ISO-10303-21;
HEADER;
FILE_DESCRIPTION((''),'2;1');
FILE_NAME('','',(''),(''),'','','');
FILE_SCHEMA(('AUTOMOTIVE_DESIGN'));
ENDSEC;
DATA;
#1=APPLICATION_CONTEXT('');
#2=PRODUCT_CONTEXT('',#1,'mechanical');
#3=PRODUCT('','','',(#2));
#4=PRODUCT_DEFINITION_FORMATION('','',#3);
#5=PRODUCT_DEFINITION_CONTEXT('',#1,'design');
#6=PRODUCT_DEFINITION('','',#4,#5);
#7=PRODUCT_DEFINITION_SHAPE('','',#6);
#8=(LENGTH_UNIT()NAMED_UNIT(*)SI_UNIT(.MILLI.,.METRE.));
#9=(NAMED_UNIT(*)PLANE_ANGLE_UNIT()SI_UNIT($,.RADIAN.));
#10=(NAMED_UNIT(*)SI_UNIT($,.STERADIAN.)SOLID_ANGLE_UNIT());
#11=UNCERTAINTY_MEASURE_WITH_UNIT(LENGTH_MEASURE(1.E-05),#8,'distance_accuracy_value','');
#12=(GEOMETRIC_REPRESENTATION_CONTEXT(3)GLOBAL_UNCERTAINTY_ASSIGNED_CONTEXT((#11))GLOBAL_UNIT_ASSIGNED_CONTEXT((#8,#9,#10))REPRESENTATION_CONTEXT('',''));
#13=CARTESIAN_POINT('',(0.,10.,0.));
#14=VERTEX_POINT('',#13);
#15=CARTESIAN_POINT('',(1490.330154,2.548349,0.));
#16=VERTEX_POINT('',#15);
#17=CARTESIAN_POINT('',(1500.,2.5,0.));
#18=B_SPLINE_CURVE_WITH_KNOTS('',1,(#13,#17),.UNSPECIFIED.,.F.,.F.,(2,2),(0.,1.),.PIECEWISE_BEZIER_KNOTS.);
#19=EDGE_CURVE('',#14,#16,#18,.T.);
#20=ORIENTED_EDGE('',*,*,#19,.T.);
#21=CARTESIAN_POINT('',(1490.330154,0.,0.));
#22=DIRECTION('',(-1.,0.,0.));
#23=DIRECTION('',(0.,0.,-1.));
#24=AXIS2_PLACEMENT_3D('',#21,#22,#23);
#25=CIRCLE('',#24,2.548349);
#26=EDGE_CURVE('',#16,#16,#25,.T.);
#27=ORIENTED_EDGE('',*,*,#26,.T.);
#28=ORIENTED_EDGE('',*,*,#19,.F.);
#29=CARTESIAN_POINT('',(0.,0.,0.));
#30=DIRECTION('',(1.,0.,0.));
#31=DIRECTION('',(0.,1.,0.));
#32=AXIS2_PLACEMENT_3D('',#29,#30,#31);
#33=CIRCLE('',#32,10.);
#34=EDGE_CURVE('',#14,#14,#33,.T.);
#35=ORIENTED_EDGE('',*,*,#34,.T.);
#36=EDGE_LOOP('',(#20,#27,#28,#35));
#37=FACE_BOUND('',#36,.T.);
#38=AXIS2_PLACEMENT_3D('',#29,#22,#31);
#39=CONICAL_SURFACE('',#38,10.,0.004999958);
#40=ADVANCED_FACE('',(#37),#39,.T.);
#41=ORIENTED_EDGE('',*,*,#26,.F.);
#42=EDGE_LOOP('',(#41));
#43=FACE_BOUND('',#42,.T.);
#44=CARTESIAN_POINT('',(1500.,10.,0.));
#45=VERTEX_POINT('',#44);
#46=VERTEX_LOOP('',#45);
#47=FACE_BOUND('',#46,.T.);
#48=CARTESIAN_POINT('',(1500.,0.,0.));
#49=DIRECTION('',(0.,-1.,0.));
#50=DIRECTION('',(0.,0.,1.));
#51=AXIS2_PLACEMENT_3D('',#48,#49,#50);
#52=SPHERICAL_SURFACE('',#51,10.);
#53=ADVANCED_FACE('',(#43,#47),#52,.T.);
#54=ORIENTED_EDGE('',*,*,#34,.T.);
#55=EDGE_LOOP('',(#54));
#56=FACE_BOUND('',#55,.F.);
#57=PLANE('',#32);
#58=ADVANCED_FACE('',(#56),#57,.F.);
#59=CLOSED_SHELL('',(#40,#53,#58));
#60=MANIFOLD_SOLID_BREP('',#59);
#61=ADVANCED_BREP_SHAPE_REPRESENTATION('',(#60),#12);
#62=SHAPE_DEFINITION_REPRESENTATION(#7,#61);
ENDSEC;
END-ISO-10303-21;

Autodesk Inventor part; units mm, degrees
ref_plane "XZ Plane" through (0, 0, 0) normal (0, 1, 0) x (-1, 0, 0)
ref_plane "XY Plane" through (0, 0, 0) normal (0, 0, 1) x (1, 0, 0)
sketch "Sketch1" plane through (0, 0, 0) normal (1, 0, 0) x (0, 1, 0)
  circle A0 centre (0, 0) radius 10
  dimension "d0" = 20
ref_plane "Work Plane1" through (1500, 0, 0) normal (1, 0, 0) x (0, 1, 0)
sketch "Sketch2" plane through (1500, 0, 0) normal (1, 0, 0) x (0, 1, 0)
  circle A0 centre (0, 0) radius 2.5
  dimension "d2" = 5
loft "Loft1" add profiles "Sketch1", "Sketch2"
sketch "Sketch3" plane through (1500, 0, 0) normal (1, 0, 0) x (0, 0, -1)
  circle A0 centre (0, 0) radius 10
  line L0 (0, 10) -> (0, -10)
  dimension "d7" = 20
  dimension "d8" = 0
revolve "Revolution1" add sketch "Sketch3" angle 360 about axis through (1500, 10, 0) along (0, -1, 0) picked at (-1.5491, -2.9515) contours L0 A0
properties part number "STACER"
